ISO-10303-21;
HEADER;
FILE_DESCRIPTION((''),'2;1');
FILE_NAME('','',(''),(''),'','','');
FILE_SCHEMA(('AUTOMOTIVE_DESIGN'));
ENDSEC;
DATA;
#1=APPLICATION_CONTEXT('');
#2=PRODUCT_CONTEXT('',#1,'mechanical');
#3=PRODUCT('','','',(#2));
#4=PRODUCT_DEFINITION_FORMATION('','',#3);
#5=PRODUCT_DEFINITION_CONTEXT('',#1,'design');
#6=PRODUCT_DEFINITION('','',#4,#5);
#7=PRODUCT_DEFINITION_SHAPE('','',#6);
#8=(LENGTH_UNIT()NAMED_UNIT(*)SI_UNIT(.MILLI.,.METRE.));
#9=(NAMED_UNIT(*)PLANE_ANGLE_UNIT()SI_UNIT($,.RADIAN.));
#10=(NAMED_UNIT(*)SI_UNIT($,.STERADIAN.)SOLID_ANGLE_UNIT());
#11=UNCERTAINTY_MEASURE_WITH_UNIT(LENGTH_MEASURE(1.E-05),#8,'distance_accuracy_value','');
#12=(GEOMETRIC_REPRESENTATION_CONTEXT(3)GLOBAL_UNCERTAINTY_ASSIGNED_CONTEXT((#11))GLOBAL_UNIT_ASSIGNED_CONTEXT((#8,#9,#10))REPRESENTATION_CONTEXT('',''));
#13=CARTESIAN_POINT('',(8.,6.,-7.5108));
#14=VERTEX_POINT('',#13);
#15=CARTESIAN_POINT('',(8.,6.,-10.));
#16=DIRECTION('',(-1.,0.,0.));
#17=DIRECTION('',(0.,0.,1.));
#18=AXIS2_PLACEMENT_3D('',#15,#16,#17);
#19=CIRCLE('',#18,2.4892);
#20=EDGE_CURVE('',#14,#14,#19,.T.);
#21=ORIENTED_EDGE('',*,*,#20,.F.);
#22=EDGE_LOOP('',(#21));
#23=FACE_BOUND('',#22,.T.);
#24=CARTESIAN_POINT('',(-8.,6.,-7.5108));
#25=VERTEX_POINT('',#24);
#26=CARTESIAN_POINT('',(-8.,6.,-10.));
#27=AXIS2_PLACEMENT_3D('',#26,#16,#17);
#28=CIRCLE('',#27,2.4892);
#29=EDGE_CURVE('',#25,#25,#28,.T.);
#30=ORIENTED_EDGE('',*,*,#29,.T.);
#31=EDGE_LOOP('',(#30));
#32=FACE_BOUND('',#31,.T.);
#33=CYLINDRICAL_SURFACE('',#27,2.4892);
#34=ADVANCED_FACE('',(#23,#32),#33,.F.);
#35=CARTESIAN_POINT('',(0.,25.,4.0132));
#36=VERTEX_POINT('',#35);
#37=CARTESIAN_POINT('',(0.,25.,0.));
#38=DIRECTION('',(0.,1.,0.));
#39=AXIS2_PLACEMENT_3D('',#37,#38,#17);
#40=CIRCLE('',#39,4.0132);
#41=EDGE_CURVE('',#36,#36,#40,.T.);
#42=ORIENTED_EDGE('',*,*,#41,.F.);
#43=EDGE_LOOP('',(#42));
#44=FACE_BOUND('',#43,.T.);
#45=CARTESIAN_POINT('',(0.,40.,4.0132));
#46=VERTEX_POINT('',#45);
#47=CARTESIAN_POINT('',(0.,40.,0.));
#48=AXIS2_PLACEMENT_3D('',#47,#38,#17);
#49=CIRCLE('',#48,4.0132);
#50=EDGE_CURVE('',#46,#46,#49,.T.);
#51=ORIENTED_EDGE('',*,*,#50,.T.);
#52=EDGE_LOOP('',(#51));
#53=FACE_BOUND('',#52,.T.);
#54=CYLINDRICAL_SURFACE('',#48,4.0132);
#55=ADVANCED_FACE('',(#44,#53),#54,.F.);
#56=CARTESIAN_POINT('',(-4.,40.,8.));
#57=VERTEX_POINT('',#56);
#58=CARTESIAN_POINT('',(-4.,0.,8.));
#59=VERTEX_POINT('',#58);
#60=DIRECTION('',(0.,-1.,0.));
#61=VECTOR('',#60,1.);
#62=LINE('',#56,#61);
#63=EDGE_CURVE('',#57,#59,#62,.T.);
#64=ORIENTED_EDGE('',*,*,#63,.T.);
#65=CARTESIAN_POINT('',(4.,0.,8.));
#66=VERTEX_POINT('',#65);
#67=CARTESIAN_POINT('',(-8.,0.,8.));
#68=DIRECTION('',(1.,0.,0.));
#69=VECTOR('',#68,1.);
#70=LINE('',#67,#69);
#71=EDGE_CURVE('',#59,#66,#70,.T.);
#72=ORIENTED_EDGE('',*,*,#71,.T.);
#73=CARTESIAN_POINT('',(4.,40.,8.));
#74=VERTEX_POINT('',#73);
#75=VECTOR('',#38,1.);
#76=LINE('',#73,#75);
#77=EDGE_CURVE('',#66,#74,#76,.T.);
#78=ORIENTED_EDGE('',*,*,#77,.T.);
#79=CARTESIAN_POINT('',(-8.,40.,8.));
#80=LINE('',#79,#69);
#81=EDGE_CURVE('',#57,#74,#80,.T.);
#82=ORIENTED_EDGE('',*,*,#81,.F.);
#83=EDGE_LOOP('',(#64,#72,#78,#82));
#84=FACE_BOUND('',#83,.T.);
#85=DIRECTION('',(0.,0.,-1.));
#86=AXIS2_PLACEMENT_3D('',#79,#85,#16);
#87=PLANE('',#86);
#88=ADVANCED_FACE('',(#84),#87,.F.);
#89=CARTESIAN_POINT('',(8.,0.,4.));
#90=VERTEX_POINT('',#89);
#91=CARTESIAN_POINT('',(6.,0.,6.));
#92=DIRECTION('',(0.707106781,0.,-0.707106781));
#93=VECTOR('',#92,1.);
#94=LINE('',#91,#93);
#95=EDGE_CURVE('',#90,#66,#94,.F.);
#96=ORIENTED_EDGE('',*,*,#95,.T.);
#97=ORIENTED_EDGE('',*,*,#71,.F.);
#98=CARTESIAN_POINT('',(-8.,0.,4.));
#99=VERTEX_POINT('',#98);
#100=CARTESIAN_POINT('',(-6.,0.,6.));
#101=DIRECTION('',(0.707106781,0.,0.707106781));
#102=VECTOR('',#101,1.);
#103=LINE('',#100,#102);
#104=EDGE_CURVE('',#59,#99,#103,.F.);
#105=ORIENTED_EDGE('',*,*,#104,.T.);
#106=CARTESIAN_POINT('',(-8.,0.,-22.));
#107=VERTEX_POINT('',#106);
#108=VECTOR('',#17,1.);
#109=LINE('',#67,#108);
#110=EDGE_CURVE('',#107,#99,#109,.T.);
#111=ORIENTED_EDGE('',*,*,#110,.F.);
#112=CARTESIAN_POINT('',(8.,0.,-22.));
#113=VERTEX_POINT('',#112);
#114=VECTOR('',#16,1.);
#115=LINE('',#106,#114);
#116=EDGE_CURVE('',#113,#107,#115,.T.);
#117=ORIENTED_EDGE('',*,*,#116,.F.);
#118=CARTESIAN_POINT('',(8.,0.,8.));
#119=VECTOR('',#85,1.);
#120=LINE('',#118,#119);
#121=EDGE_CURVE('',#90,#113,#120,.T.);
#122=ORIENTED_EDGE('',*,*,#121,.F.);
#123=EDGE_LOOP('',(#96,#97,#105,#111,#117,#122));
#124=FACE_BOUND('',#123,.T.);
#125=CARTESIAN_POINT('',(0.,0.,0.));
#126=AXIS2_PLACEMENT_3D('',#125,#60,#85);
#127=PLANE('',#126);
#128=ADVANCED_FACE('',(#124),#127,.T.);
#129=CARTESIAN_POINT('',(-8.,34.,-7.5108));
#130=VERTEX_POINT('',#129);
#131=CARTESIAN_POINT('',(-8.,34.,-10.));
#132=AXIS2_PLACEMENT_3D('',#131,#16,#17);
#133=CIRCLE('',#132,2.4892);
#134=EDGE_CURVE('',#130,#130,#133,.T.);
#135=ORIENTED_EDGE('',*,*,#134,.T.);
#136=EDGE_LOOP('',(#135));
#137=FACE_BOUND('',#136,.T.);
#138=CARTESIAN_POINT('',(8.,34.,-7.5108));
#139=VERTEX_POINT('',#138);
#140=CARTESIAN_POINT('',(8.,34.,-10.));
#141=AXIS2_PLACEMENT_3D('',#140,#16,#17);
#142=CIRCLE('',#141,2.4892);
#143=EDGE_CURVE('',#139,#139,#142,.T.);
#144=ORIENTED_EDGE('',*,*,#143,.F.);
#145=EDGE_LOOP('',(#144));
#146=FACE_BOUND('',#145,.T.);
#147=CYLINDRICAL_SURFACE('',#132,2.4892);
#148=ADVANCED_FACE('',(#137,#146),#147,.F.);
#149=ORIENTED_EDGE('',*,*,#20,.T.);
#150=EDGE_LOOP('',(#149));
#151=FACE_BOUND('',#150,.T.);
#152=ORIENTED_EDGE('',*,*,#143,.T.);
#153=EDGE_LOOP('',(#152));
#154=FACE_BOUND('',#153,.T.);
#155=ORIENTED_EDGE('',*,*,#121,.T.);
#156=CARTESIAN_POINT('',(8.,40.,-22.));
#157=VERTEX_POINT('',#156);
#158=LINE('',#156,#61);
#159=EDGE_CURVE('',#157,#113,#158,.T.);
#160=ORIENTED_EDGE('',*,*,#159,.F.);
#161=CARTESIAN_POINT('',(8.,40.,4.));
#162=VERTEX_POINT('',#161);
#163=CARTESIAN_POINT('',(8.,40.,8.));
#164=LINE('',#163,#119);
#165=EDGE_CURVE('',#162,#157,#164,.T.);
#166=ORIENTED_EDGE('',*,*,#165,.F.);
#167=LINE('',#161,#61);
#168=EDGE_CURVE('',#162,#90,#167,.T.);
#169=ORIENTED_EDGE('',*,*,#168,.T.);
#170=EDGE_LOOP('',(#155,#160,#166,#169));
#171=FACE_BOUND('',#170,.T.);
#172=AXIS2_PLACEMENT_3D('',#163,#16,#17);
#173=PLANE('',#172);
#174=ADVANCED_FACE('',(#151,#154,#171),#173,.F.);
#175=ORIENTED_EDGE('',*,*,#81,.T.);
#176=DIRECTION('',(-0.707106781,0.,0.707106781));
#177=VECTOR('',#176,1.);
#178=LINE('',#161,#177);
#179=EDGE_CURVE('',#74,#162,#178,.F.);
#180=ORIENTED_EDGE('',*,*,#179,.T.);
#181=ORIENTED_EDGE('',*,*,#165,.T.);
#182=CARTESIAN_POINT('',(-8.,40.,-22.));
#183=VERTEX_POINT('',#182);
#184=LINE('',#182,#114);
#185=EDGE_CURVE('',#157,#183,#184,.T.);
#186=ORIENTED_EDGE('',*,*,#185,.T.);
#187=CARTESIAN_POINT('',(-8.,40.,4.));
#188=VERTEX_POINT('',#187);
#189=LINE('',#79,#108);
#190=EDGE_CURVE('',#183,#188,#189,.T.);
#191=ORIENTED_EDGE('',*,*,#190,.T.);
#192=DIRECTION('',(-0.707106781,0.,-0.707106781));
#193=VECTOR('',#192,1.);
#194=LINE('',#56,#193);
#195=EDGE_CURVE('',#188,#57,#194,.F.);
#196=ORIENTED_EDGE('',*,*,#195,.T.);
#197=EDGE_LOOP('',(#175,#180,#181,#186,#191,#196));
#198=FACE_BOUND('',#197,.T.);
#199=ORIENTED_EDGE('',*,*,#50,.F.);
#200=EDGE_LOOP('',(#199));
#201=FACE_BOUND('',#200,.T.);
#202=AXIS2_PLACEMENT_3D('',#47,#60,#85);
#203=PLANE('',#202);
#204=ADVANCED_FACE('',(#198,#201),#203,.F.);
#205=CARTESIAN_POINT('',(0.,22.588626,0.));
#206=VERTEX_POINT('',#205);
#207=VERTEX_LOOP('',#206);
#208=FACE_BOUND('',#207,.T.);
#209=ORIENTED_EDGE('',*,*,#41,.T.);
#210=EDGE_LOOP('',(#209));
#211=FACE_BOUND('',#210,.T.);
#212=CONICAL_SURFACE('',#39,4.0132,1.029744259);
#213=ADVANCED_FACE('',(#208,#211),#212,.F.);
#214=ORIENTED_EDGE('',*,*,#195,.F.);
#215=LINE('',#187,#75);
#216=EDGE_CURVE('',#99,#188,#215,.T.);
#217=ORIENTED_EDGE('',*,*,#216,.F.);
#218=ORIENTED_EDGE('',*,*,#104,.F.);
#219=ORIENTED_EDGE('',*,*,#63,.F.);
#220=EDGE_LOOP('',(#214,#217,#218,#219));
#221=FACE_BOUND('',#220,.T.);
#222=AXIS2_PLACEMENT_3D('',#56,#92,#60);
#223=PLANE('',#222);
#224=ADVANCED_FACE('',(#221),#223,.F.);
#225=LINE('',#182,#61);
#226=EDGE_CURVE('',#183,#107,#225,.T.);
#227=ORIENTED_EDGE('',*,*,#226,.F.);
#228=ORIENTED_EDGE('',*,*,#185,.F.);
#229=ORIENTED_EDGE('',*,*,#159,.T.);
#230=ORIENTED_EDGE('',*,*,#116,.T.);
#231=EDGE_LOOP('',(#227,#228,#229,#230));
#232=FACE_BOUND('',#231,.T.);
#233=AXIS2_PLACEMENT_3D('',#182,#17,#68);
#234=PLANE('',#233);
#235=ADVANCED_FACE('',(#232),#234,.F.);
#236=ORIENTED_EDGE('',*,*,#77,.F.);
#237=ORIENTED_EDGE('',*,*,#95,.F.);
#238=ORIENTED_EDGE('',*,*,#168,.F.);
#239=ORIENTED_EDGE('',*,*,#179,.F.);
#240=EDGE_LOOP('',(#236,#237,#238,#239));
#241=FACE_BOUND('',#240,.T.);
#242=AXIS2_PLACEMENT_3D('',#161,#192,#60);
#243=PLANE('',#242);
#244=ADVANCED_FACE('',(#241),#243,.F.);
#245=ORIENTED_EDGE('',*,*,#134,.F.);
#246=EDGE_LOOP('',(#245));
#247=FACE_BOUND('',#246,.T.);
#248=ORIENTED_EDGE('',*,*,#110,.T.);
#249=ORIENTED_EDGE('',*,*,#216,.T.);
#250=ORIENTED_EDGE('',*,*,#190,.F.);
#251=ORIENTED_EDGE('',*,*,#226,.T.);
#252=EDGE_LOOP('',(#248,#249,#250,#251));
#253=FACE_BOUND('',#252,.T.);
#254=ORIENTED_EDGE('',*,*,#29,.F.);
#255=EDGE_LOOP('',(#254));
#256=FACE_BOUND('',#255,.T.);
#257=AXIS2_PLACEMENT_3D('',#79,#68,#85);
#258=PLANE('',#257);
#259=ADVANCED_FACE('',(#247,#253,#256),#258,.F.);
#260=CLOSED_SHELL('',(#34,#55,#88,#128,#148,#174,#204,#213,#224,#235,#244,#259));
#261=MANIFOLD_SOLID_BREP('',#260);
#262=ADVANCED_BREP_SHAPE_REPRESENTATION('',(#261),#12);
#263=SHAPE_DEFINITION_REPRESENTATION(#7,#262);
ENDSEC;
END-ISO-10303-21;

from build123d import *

# Parameters (mm, degrees)
SKETCH1_W                    = 16
SKETCH1_H                    = 30
BOSS_EXTRUDE1_DEPTH          = 40
O_0_316_DIAMETER_HOLE1_D     = 8.0264
O_0_316_DIAMETER_HOLE1_DEPTH = 15
O_0_316_DIAMETER_HOLE1_TIP   = 2.411373836
F_10_CLEARANCE_HOLE1_D       = 4.9784
CHAMFER1_SIZE                = 4


with BuildPart() as part:
    # Sketch1 → Boss-Extrude1 (new body)
    with BuildSketch(Plane(origin=(0, 0, 0), x_dir=(1, 0, 0), z_dir=(0, 1, 0))):
        with Locations((0, 7)):
            Rectangle(SKETCH1_W, SKETCH1_H)
    extrude(amount=BOSS_EXTRUDE1_DEPTH)

    # O (0.316) Diameter Hole1
    with Locations(Plane(origin=(0, 40, 0), x_dir=(1, 0, 0), z_dir=(0, 1, 0))):
        with Locations((0, 0)):
            Hole(O_0_316_DIAMETER_HOLE1_D / 2, depth=O_0_316_DIAMETER_HOLE1_DEPTH)
            with Locations((0, 0, -(O_0_316_DIAMETER_HOLE1_DEPTH + O_0_316_DIAMETER_HOLE1_TIP / 2))):  # 118° drill point
                Cone(0, O_0_316_DIAMETER_HOLE1_D / 2, O_0_316_DIAMETER_HOLE1_TIP, mode=Mode.SUBTRACT)

    # #10 Clearance Hole1 (through all)
    with Locations(Plane.ZY.offset(8)):
        with Locations((-10, 34), (-10, 6)):
            Hole(F_10_CLEARANCE_HOLE1_D / 2)

    # Chamfer1
    chamfer1_edges = [part.edges().sort_by_distance(p)[0] for p in [
        (8, 20, 8),
        (-8, 20, 8),
    ]]
    chamfer(chamfer1_edges, length=CHAMFER1_SIZE)


solid = part.part
